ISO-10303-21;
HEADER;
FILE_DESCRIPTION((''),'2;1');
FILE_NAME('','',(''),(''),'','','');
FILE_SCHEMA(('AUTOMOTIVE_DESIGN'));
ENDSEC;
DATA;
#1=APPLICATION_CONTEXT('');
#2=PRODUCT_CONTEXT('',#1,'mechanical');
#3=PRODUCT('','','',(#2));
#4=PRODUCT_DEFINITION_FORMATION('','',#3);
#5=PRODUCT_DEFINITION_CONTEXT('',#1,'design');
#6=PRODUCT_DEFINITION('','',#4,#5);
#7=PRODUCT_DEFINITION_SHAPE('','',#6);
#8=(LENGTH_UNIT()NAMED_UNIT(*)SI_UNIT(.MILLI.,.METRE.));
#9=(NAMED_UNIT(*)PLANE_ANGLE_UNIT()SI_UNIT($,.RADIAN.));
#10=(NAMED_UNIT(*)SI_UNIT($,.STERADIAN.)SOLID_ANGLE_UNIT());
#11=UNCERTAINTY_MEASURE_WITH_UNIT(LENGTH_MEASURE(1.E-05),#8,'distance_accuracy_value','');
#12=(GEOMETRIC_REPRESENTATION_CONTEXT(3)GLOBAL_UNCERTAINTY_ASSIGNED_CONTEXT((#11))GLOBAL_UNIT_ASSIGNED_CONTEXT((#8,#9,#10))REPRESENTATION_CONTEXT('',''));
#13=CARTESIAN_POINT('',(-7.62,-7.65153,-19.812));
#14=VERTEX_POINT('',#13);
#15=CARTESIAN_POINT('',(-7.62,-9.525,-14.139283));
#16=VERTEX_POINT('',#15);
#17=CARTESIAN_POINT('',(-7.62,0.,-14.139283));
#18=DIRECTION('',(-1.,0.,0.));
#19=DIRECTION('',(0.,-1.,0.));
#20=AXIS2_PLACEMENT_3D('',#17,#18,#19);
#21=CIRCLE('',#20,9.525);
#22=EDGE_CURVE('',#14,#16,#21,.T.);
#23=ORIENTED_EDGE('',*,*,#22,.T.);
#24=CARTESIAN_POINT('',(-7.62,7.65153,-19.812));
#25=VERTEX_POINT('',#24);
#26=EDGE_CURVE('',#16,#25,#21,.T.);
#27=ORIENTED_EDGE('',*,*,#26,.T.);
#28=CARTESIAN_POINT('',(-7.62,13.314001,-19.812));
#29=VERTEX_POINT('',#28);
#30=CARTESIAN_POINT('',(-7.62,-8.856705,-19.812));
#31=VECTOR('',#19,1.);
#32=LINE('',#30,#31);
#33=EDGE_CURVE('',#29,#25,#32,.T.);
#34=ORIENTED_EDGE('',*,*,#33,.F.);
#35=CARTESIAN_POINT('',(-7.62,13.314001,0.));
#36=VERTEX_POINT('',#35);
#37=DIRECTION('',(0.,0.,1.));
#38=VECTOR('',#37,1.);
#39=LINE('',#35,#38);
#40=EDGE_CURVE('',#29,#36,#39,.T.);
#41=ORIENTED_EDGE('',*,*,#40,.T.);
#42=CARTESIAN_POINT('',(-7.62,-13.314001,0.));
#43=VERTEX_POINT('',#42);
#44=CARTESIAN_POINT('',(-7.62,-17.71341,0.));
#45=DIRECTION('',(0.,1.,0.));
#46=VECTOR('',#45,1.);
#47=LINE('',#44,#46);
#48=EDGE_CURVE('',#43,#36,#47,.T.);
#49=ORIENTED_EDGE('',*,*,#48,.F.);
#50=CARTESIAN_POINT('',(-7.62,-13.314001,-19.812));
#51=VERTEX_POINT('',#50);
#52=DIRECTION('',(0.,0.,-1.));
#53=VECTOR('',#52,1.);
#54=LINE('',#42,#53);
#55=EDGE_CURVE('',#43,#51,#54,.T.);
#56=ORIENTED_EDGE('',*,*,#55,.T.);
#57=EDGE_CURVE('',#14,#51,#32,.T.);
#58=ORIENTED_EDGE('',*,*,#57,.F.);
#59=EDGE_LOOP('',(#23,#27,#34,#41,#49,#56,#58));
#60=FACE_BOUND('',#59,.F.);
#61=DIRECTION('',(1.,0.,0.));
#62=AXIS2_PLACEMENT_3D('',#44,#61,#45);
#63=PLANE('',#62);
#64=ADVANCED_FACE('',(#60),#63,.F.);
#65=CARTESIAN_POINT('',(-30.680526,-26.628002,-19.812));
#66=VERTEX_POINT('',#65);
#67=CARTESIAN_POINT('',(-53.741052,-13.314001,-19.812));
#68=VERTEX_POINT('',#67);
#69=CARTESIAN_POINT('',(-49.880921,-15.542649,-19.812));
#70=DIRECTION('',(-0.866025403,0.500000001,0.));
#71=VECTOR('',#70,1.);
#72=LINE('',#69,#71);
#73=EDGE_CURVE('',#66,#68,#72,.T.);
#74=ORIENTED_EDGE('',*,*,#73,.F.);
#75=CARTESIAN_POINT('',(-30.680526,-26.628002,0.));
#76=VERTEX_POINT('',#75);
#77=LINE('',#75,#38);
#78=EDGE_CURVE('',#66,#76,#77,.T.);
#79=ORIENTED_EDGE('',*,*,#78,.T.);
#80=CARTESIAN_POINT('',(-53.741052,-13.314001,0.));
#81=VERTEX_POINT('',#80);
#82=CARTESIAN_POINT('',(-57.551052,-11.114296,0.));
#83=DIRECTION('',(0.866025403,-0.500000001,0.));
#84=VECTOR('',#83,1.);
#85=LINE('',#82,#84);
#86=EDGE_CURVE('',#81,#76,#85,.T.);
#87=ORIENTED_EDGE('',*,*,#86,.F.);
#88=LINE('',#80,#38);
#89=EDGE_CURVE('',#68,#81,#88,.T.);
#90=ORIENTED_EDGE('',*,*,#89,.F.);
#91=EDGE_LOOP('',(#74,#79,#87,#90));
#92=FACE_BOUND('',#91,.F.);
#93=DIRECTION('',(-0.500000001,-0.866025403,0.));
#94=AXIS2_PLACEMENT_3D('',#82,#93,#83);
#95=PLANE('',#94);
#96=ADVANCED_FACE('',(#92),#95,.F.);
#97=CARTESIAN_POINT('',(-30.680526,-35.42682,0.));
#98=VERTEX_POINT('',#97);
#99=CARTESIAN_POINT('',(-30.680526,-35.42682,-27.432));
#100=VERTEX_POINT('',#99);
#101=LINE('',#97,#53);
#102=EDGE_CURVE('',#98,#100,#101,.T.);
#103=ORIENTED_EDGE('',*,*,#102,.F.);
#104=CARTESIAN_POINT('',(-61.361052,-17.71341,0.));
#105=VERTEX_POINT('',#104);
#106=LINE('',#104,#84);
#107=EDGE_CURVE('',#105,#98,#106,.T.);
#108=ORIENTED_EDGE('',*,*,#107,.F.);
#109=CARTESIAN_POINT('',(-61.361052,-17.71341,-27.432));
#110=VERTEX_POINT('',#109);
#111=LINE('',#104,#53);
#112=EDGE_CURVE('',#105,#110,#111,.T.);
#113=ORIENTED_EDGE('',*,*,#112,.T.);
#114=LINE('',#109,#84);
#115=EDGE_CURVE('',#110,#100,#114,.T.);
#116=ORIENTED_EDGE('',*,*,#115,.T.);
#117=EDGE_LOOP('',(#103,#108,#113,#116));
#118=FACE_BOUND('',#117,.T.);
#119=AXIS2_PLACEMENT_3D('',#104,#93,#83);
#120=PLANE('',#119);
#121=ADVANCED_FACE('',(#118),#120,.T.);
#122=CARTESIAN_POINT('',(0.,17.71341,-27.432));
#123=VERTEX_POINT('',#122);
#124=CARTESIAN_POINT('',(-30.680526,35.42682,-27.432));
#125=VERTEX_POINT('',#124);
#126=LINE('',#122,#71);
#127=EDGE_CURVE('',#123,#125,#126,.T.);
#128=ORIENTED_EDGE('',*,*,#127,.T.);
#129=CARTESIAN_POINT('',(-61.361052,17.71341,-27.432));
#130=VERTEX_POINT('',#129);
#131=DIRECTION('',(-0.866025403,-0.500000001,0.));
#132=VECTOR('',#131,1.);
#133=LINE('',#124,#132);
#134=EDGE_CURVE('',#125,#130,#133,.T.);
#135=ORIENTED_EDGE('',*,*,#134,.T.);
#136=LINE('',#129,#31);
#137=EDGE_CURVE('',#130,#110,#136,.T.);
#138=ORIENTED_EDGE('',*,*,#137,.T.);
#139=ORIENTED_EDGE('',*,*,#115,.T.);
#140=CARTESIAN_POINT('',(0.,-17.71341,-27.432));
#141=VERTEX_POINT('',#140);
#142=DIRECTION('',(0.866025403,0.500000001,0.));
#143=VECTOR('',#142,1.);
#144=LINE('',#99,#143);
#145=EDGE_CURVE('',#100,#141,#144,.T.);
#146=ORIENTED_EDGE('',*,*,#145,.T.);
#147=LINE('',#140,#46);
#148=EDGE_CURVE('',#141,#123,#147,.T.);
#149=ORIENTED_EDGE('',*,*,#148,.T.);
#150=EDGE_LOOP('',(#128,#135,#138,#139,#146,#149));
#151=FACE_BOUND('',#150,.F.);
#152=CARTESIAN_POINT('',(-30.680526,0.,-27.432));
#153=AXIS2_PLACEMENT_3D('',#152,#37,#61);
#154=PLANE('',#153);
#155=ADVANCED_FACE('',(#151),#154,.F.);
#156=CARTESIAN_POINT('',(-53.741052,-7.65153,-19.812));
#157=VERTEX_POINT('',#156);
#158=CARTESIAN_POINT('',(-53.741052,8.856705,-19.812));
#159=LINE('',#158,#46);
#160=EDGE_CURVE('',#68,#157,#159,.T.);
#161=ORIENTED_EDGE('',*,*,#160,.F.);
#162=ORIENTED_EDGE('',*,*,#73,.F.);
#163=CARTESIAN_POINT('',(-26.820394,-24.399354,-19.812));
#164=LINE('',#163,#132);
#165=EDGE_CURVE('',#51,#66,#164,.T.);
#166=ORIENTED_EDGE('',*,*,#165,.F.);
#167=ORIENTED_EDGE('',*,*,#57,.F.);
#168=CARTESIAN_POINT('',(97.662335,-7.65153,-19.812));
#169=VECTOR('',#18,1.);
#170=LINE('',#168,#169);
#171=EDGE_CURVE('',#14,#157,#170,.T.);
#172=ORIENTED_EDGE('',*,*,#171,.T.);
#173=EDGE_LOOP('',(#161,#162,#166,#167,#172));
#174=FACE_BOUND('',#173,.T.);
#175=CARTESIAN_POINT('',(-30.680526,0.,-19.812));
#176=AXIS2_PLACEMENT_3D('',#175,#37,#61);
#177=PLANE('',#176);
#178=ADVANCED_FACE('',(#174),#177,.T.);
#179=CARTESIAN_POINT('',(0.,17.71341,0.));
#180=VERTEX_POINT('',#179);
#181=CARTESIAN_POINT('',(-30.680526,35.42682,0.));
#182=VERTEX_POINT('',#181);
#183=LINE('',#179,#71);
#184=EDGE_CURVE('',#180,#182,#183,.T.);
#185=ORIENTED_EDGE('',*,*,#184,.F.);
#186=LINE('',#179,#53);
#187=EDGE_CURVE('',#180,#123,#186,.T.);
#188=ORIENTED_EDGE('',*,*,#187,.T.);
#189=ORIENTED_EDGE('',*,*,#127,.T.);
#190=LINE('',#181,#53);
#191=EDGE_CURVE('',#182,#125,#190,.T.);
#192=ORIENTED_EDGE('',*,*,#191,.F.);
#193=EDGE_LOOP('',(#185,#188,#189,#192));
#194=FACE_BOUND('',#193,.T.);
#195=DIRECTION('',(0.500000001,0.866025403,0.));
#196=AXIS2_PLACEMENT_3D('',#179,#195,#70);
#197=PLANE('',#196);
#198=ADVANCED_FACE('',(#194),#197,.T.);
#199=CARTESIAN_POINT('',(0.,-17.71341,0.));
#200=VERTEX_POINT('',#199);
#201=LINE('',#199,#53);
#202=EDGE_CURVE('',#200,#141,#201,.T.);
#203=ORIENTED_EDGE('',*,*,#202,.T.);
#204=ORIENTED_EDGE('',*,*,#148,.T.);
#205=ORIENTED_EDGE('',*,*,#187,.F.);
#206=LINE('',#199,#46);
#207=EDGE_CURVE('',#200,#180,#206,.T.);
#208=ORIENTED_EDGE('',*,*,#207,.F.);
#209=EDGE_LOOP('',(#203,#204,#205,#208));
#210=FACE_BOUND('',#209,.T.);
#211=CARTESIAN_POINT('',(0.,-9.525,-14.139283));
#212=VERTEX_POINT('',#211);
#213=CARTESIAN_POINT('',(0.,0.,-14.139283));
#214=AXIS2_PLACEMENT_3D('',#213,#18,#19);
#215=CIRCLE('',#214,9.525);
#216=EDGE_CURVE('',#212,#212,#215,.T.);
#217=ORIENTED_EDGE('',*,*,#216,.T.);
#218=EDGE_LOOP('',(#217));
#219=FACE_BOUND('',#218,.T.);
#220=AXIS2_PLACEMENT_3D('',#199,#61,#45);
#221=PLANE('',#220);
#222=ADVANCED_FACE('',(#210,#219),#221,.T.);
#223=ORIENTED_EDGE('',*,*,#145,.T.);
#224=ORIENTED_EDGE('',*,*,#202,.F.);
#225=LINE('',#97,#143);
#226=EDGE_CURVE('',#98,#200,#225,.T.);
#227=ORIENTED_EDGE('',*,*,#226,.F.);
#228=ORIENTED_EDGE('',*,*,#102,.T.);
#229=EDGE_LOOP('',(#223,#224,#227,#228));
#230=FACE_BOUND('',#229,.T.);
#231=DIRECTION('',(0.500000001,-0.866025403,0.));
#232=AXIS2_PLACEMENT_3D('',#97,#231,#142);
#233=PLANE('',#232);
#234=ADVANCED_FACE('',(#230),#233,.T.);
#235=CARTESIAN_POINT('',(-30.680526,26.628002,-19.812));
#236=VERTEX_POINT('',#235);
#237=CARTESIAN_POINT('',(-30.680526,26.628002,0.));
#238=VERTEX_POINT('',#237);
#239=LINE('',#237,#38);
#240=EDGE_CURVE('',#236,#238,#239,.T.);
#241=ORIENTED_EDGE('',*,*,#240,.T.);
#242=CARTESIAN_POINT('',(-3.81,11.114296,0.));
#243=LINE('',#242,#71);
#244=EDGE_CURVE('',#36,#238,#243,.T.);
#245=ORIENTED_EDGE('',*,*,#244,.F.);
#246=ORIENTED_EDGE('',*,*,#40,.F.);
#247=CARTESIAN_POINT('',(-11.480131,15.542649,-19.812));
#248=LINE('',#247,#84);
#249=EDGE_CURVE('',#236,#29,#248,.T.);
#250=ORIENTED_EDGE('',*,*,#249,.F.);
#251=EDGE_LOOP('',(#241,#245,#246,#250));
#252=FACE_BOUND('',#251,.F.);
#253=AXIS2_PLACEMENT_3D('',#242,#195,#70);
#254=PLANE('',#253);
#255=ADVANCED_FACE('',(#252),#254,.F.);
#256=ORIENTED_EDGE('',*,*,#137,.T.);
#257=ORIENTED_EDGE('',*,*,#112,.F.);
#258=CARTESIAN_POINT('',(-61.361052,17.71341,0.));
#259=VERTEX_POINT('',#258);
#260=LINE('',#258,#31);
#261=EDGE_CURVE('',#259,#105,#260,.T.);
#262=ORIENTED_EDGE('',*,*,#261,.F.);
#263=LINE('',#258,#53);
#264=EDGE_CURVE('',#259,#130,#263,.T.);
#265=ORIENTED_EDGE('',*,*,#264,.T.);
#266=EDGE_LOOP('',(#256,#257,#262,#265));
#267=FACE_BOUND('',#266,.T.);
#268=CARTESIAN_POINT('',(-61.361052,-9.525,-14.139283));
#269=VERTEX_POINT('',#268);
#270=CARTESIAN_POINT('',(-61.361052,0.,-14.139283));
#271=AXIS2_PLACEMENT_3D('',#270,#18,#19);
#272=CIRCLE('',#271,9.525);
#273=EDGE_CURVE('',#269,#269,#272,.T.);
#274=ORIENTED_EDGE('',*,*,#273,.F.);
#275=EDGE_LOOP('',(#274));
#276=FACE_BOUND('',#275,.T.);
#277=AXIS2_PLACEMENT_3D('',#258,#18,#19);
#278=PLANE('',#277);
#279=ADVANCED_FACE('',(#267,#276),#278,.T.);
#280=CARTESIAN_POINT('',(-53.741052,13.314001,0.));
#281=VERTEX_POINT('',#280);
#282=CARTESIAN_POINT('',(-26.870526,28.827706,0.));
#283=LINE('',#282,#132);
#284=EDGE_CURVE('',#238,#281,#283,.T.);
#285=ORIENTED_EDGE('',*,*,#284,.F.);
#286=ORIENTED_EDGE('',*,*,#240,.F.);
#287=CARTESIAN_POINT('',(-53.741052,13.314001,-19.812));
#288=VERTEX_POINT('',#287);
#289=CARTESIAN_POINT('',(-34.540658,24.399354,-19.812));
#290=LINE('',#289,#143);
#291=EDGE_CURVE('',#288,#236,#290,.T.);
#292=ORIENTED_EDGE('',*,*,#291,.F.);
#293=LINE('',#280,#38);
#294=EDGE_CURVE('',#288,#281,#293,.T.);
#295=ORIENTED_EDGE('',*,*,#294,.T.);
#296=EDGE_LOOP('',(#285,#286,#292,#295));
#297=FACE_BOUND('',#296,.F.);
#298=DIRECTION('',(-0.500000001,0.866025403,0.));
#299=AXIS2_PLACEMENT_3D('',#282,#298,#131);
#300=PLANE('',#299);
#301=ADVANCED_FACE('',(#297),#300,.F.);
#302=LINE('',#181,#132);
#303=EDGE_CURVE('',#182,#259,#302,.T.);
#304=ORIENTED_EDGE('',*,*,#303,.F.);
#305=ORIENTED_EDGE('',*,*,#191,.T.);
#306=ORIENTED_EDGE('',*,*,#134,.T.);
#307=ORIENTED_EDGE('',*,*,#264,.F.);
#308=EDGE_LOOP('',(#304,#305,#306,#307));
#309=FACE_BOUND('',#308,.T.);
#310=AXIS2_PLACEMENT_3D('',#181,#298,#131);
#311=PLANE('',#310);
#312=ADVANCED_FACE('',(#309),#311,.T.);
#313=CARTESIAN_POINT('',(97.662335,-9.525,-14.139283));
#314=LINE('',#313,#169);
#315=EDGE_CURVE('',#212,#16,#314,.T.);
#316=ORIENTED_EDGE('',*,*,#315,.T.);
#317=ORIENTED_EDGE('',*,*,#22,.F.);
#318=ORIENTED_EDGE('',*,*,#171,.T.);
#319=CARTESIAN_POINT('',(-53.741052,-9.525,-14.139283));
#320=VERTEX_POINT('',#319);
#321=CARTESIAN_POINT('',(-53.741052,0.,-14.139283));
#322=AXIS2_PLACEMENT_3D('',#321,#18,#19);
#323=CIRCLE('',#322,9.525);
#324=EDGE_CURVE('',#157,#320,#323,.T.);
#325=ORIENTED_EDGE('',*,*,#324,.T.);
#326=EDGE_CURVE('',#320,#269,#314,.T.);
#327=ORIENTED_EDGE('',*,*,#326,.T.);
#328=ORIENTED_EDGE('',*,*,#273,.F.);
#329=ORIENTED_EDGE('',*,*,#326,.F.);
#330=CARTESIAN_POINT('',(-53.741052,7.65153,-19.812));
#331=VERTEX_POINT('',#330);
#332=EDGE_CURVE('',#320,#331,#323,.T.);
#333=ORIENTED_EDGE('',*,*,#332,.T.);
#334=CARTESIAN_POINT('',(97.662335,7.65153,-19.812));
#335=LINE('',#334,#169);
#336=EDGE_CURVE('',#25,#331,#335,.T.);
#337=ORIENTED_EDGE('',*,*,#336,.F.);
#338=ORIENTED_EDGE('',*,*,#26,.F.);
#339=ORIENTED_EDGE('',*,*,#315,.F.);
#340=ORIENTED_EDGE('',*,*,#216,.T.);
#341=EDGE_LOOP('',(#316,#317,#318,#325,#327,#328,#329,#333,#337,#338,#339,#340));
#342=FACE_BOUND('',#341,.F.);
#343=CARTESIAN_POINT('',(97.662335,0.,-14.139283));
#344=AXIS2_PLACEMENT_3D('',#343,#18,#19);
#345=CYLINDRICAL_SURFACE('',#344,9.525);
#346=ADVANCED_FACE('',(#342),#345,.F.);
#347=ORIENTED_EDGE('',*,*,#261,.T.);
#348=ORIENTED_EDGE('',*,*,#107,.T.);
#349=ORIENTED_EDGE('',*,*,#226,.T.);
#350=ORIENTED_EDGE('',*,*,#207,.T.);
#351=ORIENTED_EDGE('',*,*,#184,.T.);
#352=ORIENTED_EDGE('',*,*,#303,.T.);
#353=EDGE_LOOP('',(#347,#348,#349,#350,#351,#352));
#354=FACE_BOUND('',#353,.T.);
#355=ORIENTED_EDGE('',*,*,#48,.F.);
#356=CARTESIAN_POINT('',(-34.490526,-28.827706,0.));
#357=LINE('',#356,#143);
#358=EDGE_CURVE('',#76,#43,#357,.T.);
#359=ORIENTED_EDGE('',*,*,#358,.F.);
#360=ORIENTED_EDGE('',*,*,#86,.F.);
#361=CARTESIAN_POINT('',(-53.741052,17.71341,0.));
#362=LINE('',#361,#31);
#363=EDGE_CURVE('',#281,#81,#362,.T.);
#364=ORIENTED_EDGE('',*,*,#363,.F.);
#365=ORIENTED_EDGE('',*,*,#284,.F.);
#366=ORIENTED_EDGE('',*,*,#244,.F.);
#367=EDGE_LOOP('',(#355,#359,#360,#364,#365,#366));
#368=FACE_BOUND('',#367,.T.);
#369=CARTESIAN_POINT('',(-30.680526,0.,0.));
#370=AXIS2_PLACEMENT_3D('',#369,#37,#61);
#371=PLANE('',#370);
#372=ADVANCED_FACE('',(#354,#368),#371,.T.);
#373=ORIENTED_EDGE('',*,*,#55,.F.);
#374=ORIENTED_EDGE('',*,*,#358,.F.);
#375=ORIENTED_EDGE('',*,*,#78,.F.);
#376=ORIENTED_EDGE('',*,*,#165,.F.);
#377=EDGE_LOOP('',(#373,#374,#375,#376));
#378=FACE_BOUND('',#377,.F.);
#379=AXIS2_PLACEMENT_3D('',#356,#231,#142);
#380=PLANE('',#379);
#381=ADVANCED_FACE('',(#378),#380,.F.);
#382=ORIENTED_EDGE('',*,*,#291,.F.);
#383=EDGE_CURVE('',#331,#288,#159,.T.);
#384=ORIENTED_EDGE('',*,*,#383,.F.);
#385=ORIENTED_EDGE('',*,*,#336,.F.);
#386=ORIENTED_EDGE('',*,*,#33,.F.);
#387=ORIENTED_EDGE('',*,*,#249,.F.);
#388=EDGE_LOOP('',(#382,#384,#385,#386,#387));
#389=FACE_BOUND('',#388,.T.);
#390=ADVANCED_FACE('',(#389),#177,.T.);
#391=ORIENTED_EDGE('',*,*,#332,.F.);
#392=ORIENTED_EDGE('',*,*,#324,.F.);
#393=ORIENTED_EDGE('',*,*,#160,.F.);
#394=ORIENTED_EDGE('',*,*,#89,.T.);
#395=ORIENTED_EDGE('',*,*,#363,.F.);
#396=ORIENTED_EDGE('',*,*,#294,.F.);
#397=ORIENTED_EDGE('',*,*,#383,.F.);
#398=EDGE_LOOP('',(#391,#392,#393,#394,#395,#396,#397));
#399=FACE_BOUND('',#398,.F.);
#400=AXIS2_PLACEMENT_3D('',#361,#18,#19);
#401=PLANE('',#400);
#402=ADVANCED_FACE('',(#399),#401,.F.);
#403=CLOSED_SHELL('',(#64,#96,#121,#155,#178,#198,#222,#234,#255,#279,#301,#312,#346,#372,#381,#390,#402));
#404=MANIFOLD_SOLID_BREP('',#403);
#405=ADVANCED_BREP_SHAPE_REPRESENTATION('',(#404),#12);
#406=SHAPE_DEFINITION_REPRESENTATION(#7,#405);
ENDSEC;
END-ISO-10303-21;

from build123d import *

# Parameters (mm, degrees)
F2_DEPTH = 27.432
F3_T     = -7.62
F4_D     = 19.05


with BuildPart() as f2:
    # F1 (on Top) → F2 (new body)
    with BuildSketch(Plane.XY):
        Polygon((0, -17.71341), (0, 17.71341), (-30.680526, 35.42682), (-61.361052, 17.71341), (-61.361052, -17.71341), (-30.680526, -35.42682), align=None)
    extrude(amount=-F2_DEPTH)

    # F3
    f3_openings = [f2.faces().sort_by_distance(p)[0] for p in [
        (-30.680526, 0, 0),
    ]]
    offset(amount=F3_T, openings=f3_openings)

    # F4 (through all)
    with Locations(Plane.YZ):
        with Locations((0, -14.139283)):
            Hole(F4_D / 2)


solid = f2.part
